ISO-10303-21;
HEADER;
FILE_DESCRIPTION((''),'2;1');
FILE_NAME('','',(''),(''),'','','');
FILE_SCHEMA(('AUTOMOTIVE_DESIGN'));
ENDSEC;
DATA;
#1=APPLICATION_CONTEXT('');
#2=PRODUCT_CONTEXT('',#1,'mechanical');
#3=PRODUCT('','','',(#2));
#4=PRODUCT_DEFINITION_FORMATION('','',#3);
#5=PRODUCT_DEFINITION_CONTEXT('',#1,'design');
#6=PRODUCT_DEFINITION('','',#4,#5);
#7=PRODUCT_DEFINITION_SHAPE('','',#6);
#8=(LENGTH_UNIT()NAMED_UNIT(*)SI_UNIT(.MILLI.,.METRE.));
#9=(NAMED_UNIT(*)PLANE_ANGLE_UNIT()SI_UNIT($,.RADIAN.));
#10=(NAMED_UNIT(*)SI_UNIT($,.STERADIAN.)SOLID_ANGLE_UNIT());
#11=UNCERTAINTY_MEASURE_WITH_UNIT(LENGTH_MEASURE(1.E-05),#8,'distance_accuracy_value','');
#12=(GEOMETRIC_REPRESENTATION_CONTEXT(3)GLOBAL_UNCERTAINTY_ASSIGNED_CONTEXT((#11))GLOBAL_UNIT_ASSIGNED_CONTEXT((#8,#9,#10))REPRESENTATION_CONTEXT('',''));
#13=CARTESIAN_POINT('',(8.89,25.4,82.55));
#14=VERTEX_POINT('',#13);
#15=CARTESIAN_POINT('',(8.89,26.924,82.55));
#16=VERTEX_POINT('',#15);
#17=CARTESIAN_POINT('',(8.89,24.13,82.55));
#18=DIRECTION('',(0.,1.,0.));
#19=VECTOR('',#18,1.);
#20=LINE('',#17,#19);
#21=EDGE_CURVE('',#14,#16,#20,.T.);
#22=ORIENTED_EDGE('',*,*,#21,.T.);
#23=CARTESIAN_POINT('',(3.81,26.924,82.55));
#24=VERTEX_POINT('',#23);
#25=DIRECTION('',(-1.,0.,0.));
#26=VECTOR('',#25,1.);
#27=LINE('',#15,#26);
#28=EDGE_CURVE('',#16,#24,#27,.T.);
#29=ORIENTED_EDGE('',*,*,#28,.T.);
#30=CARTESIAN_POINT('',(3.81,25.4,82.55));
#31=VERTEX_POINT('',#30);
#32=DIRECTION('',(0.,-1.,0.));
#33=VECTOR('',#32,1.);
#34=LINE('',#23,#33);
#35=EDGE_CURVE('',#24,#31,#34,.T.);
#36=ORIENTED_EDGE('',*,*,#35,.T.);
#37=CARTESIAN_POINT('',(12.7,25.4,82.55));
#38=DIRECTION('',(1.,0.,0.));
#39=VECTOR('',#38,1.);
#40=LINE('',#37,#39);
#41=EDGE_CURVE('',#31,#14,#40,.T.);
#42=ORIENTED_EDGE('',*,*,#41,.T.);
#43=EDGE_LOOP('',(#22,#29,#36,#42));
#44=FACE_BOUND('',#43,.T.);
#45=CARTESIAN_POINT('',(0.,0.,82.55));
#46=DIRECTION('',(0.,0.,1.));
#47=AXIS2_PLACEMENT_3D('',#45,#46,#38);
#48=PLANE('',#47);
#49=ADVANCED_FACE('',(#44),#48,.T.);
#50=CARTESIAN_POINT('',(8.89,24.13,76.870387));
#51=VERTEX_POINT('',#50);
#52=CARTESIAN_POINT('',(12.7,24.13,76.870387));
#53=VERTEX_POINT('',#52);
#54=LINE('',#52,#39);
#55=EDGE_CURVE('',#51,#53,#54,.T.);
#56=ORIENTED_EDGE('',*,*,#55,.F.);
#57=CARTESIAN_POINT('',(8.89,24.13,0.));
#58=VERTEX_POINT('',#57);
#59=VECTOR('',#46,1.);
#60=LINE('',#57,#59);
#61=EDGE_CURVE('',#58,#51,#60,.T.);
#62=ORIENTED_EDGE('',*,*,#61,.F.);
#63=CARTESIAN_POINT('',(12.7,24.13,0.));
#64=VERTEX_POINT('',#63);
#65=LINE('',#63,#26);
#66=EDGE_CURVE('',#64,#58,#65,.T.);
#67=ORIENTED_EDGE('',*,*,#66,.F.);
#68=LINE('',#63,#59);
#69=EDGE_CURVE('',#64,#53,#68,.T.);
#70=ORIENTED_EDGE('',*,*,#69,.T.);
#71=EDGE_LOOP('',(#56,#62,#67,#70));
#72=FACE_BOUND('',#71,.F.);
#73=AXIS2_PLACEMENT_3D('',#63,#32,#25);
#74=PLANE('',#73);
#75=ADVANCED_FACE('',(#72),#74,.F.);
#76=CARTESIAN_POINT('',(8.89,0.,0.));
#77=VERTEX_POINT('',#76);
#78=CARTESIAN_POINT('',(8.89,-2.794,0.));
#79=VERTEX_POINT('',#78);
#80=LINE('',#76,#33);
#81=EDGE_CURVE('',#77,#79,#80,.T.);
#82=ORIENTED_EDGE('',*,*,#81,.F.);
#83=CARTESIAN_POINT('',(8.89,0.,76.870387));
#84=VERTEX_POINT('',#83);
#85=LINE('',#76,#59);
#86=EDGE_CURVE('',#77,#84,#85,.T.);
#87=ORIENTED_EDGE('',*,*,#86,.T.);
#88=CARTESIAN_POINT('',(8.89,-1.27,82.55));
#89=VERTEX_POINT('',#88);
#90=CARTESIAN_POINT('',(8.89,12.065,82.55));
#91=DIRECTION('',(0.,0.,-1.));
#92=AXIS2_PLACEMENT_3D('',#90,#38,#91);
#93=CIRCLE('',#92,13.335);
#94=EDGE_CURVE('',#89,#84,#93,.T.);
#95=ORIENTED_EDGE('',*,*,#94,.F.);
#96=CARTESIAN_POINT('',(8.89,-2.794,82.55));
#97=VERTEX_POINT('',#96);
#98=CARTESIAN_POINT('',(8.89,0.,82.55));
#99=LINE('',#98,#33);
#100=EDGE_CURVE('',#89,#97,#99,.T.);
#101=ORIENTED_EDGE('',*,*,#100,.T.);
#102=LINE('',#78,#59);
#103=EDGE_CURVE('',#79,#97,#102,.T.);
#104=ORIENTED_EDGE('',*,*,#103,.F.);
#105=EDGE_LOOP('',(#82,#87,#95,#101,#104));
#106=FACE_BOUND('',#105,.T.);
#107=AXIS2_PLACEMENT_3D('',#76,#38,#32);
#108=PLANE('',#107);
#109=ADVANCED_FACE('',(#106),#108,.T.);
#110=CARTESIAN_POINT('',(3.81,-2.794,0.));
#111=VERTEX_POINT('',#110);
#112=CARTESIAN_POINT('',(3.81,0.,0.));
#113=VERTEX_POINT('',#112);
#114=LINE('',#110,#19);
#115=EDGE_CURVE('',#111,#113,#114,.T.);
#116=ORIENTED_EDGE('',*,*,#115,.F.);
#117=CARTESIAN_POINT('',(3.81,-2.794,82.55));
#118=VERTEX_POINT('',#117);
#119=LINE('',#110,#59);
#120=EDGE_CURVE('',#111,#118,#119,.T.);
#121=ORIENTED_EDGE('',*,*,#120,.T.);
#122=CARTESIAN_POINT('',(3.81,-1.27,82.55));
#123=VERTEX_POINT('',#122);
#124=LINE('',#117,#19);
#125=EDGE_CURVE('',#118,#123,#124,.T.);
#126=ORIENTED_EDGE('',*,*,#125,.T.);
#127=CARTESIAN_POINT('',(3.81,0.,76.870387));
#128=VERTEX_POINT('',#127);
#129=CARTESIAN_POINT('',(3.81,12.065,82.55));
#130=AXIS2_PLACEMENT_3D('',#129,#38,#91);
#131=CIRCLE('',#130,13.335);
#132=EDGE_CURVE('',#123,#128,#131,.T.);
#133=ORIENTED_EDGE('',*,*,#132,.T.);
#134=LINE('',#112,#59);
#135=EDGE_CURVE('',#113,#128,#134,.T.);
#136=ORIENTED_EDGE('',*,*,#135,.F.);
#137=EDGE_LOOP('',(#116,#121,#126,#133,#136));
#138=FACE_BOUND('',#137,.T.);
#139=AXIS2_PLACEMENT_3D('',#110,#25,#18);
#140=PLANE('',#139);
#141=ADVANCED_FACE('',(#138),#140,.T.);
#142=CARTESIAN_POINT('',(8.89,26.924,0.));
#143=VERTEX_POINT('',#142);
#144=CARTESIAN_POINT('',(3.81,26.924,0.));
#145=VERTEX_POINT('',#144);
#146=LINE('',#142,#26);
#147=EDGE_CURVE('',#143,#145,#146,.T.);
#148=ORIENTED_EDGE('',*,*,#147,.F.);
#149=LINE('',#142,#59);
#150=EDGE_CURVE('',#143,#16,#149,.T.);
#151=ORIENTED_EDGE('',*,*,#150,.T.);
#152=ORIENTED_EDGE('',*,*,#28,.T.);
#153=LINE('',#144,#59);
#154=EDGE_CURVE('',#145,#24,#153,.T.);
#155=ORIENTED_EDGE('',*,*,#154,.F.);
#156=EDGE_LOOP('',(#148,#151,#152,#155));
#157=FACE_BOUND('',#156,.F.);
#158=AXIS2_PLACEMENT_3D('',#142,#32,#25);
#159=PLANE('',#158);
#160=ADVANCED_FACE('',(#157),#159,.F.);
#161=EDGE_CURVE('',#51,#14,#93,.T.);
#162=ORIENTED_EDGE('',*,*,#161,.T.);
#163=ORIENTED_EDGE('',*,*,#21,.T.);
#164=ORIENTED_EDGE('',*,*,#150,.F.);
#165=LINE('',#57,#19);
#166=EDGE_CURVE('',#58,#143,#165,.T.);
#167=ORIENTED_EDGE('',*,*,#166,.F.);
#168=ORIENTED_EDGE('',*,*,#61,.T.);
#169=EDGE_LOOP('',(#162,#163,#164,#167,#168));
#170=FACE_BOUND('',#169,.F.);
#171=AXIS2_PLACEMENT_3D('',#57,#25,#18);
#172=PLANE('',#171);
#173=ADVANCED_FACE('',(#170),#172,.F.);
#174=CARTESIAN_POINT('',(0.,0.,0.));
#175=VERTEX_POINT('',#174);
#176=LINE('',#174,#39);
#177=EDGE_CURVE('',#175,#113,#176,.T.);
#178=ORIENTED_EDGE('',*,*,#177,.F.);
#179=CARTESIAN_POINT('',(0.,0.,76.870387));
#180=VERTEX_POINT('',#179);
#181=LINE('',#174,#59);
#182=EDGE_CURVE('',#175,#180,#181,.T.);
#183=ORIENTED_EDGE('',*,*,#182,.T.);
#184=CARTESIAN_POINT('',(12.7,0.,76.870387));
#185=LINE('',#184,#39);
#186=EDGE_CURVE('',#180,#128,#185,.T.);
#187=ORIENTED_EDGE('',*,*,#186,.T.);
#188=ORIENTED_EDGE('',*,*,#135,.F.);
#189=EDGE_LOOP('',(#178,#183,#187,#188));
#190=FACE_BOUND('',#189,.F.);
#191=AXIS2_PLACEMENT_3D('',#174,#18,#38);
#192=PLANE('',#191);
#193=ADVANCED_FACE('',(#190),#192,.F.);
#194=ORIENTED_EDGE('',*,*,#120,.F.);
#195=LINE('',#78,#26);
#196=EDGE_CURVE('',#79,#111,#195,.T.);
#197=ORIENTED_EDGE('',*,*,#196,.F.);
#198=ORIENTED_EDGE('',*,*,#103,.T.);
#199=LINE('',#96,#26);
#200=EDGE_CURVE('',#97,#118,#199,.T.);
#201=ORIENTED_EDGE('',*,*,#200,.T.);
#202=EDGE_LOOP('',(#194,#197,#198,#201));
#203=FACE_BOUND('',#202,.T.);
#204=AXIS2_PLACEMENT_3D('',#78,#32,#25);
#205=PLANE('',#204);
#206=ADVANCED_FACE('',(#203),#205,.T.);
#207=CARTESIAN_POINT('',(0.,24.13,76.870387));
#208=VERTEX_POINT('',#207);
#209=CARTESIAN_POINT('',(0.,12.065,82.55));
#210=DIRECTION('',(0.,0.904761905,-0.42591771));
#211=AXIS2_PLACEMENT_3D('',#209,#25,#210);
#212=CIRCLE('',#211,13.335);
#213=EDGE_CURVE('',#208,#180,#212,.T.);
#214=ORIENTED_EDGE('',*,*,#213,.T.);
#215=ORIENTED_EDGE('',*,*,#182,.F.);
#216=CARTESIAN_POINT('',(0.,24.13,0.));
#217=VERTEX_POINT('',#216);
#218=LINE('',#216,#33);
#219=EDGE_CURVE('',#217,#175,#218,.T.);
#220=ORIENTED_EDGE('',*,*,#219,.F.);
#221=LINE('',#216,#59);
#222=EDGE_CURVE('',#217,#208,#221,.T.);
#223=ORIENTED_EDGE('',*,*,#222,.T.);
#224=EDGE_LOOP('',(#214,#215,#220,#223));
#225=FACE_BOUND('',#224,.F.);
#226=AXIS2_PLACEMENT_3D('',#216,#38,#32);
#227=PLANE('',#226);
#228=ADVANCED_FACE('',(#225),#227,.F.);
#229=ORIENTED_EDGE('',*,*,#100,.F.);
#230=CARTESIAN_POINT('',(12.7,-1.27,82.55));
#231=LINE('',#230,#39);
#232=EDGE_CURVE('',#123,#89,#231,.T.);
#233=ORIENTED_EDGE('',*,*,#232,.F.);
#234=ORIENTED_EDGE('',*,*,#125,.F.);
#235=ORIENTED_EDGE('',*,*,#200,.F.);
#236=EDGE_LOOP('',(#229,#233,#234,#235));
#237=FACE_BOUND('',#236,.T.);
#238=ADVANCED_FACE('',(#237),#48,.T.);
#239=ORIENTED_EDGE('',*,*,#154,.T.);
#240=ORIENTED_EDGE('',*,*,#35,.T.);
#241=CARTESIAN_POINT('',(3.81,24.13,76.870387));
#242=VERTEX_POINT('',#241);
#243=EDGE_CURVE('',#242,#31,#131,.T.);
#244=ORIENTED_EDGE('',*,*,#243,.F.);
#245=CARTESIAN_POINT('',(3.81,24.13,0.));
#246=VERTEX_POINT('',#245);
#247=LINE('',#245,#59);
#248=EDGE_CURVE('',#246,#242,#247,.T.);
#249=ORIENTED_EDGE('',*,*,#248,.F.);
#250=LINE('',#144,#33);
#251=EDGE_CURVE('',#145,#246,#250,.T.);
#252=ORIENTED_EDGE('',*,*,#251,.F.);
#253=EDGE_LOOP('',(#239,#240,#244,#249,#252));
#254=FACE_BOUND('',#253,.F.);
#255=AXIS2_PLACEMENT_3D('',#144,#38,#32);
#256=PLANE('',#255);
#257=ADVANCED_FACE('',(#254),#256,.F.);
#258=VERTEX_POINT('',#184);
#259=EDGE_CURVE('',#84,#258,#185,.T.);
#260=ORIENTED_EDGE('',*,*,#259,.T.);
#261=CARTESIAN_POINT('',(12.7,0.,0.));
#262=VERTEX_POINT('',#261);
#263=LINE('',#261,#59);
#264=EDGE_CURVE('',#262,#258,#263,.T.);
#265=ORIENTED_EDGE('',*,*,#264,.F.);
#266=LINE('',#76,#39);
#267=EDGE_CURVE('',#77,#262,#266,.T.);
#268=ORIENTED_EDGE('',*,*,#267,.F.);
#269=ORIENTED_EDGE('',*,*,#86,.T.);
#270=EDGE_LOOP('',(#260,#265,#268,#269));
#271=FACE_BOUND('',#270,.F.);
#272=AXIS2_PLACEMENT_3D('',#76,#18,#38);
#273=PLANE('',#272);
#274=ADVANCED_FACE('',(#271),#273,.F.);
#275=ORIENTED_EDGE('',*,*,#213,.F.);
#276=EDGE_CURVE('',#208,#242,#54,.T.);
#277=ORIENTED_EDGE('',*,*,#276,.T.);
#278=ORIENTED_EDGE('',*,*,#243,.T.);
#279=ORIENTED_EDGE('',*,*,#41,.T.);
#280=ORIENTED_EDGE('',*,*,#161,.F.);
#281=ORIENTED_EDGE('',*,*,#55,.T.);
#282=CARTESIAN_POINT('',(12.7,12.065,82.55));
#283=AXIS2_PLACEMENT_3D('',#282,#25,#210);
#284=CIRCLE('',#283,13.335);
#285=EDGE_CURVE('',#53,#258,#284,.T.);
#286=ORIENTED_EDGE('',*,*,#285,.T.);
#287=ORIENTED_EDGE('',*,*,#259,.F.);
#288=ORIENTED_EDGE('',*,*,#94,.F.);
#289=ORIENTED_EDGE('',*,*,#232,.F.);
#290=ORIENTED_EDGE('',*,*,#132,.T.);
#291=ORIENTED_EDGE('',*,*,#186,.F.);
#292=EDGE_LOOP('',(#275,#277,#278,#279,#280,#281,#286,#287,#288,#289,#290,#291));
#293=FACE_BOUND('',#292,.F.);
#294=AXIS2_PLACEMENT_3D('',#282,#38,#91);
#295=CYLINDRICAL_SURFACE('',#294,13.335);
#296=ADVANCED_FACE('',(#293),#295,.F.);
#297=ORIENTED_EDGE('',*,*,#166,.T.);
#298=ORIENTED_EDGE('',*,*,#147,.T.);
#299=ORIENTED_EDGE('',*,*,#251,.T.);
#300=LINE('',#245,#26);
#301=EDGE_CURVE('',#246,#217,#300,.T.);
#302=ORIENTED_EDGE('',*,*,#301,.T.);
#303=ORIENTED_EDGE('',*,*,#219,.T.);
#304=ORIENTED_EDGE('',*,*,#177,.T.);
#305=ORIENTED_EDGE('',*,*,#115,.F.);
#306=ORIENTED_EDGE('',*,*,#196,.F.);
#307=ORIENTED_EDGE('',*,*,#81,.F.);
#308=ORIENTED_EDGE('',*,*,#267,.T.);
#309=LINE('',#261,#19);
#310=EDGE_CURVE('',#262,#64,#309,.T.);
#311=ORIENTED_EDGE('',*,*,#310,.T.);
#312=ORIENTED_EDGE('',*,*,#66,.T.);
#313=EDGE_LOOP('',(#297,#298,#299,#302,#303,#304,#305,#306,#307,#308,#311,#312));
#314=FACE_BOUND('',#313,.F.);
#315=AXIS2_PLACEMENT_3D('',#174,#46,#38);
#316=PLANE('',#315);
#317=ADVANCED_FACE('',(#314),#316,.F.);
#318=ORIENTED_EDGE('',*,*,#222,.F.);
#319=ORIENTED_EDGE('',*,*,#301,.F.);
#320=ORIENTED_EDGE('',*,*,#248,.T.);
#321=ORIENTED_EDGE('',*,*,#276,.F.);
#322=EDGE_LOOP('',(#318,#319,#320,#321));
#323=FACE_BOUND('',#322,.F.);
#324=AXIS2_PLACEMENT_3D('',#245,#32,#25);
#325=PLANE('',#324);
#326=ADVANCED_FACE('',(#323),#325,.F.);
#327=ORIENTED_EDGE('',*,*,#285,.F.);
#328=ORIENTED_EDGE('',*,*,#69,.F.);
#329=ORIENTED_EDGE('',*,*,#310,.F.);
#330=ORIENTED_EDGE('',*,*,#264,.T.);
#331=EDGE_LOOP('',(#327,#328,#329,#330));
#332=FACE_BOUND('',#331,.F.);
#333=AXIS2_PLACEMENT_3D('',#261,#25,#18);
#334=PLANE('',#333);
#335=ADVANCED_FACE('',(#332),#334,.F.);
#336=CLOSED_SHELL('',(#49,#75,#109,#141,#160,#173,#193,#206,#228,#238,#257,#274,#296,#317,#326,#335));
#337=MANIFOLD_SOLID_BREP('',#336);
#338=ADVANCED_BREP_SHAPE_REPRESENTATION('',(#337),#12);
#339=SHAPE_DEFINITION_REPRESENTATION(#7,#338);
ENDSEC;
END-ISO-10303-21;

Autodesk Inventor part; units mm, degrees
ref_plane "YZ Plane" through (0, 0, 0) normal (1, 0, 0) x (0, 1, 0)
ref_plane "XZ Plane" through (0, 0, 0) normal (0, 1, 0) x (-1, 0, 0)
ref_plane "XY Plane" through (0, 0, 0) normal (0, 0, 1) x (1, 0, 0)
sketch "Sketch1" plane through (0, 0, 0) normal (0, 0, 1) x (1, 0, 0)
  line L0 (12.7, 0) -> (12.7, 24.13)
  line L1 (0, 24.13) -> (0, 0)
  line L2 (3.81, 24.13) -> (8.89, 24.13)
  line L3 (8.89, 24.13) -> (8.89, 26.924)
  line L4 (8.89, 26.924) -> (3.81, 26.924)
  line L5 (3.81, 26.924) -> (3.81, 24.13)
  line L6 (3.81, 0) -> (8.89, 0)
  line L7 (8.89, 0) -> (8.89, -2.794)
  line L8 (8.89, -2.794) -> (3.81, -2.794)
  line L9 (3.81, -2.794) -> (3.81, 0)
  line L10 (12.7, 24.13) -> (8.89, 24.13)
  line L11 (3.81, 24.13) -> (0, 24.13)
  line L12 (0, 0) -> (3.81, 0)
  line L13 (8.89, 0) -> (12.7, 0)
  line L14 (-1.7824, 25.8737) -> (3.334, 25.8737)
  line L15 (3.334, 25.8737) -> (3.334, 28.6416)
  line L16 (3.334, 28.6416) -> (9.4568, 28.6416)
  line L17 (9.4568, 28.6416) -> (9.4568, 25.8737)
  line L18 (9.4568, 25.8737) -> (14.3215, 25.8737)
  dimension "d0" = 12.7
  dimension "d1" = 24.13
  dimension "d2" = 5.08
  dimension "d3" = 2.794
  dimension "d4" = 3.81
  dimension "d5" = 5.08
  dimension "d6" = 2.794
  dimension "d7" = 3.81
extrude "Extrusion1" add sketch "Sketch1" along normal blind 82.55
sketch "Sketch2" plane through (12.7, 0, 0) normal (1, 0, 0) x (0, 0, -1)
  line L0 (-82.55, 24.13) -> (-82.55, 0) projected
  circle A0 centre (-82.55, 12.065) radius 13.335
  point P0 (0, 0)
  dimension "d10" = 26.67
extrude "Extrusion2" cut sketch "Sketch2" against normal blind 82.55
properties part number "EngineClip"
